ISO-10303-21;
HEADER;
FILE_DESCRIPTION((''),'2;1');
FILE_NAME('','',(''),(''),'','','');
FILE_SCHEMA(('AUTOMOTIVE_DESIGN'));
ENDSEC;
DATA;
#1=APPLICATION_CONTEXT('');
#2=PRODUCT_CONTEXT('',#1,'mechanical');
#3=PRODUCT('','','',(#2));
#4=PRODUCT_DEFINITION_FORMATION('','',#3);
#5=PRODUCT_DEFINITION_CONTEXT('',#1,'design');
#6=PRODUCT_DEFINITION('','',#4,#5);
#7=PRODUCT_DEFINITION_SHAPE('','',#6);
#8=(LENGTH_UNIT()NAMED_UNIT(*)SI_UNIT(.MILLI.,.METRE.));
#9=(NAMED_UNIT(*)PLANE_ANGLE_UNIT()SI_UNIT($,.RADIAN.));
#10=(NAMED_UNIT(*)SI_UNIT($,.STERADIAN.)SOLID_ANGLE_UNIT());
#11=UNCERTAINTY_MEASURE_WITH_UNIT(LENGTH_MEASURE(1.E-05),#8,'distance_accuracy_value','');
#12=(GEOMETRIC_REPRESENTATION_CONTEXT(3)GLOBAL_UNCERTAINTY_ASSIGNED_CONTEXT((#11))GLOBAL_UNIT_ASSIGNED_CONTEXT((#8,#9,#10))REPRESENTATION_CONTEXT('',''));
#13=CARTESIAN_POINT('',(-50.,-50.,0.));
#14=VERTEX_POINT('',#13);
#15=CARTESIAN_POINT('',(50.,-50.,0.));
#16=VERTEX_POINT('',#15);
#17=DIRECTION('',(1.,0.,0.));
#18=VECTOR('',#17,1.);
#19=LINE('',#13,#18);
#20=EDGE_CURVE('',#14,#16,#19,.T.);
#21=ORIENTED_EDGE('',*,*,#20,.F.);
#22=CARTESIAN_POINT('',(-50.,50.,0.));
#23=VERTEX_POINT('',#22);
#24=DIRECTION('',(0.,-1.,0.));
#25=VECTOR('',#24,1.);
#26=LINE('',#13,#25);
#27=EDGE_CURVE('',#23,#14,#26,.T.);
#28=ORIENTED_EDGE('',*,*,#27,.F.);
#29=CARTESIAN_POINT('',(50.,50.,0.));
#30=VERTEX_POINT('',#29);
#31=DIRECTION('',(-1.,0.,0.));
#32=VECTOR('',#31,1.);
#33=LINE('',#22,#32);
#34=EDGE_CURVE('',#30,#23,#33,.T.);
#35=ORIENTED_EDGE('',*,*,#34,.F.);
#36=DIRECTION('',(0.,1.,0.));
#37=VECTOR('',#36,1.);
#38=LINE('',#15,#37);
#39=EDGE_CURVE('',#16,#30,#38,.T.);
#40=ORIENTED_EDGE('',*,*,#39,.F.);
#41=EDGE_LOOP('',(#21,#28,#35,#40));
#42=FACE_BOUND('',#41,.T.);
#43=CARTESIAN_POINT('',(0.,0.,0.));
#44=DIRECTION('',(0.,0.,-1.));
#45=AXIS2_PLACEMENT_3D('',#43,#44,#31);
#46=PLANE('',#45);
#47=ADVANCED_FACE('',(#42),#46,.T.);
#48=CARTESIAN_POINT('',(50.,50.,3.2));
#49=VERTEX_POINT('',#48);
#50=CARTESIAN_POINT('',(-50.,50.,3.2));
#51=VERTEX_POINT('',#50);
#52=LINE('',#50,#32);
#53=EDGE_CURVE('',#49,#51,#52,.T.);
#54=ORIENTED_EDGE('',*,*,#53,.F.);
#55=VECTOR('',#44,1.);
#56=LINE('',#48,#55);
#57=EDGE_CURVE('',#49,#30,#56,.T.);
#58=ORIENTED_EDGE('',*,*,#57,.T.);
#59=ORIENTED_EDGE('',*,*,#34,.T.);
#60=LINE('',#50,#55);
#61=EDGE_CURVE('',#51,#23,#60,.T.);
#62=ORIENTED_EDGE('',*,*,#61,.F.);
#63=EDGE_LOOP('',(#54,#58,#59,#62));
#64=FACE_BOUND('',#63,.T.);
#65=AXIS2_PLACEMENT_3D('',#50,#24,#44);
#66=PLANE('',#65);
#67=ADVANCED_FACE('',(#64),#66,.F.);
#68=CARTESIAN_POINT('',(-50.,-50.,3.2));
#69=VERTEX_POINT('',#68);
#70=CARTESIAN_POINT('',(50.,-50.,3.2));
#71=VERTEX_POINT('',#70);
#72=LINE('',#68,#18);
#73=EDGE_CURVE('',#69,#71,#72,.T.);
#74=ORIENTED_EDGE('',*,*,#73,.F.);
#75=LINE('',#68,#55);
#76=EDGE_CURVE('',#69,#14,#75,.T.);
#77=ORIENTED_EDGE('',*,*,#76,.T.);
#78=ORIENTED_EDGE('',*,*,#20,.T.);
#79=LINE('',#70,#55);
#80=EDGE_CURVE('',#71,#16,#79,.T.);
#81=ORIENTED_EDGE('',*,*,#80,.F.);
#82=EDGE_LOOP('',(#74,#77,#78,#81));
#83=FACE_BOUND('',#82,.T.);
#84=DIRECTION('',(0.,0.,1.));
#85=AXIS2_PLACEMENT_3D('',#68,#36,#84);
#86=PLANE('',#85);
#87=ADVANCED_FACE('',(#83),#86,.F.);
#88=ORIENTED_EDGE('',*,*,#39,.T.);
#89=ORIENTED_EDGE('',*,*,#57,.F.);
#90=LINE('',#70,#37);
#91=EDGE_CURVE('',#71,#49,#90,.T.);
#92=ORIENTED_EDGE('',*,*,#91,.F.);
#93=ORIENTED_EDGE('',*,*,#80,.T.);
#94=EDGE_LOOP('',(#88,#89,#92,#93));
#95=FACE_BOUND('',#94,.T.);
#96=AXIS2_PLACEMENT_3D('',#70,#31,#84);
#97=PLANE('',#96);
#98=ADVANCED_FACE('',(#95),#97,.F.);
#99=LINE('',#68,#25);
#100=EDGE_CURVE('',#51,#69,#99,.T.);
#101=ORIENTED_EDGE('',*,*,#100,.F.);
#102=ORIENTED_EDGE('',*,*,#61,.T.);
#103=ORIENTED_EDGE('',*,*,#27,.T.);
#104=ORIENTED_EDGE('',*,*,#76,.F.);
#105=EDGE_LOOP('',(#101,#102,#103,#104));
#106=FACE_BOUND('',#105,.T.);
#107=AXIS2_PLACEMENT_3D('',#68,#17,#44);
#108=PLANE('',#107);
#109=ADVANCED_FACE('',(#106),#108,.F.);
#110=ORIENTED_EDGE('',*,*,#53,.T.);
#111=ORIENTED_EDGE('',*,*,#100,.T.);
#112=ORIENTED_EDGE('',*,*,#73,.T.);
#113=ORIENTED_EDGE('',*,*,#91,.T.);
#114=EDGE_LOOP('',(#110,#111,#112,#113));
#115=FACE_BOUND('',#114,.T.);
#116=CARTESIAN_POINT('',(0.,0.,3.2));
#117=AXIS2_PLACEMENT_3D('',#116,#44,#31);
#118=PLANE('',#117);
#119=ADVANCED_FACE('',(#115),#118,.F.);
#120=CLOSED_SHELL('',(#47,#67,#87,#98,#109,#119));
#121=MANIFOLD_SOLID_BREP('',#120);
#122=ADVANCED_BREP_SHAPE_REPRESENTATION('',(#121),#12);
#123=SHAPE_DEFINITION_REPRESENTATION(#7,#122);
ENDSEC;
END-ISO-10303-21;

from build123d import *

# Parameters (mm, degrees)
SKETCH1_W           = 100
SKETCH1_H           = 100
BOSS_EXTRUDE1_DEPTH = 3.2


with BuildPart() as part:
    # Sketch1 → Boss-Extrude1 (new body)
    with BuildSketch(Plane.XY):
        Rectangle(SKETCH1_W, SKETCH1_H)
    extrude(amount=BOSS_EXTRUDE1_DEPTH)


solid = part.part
